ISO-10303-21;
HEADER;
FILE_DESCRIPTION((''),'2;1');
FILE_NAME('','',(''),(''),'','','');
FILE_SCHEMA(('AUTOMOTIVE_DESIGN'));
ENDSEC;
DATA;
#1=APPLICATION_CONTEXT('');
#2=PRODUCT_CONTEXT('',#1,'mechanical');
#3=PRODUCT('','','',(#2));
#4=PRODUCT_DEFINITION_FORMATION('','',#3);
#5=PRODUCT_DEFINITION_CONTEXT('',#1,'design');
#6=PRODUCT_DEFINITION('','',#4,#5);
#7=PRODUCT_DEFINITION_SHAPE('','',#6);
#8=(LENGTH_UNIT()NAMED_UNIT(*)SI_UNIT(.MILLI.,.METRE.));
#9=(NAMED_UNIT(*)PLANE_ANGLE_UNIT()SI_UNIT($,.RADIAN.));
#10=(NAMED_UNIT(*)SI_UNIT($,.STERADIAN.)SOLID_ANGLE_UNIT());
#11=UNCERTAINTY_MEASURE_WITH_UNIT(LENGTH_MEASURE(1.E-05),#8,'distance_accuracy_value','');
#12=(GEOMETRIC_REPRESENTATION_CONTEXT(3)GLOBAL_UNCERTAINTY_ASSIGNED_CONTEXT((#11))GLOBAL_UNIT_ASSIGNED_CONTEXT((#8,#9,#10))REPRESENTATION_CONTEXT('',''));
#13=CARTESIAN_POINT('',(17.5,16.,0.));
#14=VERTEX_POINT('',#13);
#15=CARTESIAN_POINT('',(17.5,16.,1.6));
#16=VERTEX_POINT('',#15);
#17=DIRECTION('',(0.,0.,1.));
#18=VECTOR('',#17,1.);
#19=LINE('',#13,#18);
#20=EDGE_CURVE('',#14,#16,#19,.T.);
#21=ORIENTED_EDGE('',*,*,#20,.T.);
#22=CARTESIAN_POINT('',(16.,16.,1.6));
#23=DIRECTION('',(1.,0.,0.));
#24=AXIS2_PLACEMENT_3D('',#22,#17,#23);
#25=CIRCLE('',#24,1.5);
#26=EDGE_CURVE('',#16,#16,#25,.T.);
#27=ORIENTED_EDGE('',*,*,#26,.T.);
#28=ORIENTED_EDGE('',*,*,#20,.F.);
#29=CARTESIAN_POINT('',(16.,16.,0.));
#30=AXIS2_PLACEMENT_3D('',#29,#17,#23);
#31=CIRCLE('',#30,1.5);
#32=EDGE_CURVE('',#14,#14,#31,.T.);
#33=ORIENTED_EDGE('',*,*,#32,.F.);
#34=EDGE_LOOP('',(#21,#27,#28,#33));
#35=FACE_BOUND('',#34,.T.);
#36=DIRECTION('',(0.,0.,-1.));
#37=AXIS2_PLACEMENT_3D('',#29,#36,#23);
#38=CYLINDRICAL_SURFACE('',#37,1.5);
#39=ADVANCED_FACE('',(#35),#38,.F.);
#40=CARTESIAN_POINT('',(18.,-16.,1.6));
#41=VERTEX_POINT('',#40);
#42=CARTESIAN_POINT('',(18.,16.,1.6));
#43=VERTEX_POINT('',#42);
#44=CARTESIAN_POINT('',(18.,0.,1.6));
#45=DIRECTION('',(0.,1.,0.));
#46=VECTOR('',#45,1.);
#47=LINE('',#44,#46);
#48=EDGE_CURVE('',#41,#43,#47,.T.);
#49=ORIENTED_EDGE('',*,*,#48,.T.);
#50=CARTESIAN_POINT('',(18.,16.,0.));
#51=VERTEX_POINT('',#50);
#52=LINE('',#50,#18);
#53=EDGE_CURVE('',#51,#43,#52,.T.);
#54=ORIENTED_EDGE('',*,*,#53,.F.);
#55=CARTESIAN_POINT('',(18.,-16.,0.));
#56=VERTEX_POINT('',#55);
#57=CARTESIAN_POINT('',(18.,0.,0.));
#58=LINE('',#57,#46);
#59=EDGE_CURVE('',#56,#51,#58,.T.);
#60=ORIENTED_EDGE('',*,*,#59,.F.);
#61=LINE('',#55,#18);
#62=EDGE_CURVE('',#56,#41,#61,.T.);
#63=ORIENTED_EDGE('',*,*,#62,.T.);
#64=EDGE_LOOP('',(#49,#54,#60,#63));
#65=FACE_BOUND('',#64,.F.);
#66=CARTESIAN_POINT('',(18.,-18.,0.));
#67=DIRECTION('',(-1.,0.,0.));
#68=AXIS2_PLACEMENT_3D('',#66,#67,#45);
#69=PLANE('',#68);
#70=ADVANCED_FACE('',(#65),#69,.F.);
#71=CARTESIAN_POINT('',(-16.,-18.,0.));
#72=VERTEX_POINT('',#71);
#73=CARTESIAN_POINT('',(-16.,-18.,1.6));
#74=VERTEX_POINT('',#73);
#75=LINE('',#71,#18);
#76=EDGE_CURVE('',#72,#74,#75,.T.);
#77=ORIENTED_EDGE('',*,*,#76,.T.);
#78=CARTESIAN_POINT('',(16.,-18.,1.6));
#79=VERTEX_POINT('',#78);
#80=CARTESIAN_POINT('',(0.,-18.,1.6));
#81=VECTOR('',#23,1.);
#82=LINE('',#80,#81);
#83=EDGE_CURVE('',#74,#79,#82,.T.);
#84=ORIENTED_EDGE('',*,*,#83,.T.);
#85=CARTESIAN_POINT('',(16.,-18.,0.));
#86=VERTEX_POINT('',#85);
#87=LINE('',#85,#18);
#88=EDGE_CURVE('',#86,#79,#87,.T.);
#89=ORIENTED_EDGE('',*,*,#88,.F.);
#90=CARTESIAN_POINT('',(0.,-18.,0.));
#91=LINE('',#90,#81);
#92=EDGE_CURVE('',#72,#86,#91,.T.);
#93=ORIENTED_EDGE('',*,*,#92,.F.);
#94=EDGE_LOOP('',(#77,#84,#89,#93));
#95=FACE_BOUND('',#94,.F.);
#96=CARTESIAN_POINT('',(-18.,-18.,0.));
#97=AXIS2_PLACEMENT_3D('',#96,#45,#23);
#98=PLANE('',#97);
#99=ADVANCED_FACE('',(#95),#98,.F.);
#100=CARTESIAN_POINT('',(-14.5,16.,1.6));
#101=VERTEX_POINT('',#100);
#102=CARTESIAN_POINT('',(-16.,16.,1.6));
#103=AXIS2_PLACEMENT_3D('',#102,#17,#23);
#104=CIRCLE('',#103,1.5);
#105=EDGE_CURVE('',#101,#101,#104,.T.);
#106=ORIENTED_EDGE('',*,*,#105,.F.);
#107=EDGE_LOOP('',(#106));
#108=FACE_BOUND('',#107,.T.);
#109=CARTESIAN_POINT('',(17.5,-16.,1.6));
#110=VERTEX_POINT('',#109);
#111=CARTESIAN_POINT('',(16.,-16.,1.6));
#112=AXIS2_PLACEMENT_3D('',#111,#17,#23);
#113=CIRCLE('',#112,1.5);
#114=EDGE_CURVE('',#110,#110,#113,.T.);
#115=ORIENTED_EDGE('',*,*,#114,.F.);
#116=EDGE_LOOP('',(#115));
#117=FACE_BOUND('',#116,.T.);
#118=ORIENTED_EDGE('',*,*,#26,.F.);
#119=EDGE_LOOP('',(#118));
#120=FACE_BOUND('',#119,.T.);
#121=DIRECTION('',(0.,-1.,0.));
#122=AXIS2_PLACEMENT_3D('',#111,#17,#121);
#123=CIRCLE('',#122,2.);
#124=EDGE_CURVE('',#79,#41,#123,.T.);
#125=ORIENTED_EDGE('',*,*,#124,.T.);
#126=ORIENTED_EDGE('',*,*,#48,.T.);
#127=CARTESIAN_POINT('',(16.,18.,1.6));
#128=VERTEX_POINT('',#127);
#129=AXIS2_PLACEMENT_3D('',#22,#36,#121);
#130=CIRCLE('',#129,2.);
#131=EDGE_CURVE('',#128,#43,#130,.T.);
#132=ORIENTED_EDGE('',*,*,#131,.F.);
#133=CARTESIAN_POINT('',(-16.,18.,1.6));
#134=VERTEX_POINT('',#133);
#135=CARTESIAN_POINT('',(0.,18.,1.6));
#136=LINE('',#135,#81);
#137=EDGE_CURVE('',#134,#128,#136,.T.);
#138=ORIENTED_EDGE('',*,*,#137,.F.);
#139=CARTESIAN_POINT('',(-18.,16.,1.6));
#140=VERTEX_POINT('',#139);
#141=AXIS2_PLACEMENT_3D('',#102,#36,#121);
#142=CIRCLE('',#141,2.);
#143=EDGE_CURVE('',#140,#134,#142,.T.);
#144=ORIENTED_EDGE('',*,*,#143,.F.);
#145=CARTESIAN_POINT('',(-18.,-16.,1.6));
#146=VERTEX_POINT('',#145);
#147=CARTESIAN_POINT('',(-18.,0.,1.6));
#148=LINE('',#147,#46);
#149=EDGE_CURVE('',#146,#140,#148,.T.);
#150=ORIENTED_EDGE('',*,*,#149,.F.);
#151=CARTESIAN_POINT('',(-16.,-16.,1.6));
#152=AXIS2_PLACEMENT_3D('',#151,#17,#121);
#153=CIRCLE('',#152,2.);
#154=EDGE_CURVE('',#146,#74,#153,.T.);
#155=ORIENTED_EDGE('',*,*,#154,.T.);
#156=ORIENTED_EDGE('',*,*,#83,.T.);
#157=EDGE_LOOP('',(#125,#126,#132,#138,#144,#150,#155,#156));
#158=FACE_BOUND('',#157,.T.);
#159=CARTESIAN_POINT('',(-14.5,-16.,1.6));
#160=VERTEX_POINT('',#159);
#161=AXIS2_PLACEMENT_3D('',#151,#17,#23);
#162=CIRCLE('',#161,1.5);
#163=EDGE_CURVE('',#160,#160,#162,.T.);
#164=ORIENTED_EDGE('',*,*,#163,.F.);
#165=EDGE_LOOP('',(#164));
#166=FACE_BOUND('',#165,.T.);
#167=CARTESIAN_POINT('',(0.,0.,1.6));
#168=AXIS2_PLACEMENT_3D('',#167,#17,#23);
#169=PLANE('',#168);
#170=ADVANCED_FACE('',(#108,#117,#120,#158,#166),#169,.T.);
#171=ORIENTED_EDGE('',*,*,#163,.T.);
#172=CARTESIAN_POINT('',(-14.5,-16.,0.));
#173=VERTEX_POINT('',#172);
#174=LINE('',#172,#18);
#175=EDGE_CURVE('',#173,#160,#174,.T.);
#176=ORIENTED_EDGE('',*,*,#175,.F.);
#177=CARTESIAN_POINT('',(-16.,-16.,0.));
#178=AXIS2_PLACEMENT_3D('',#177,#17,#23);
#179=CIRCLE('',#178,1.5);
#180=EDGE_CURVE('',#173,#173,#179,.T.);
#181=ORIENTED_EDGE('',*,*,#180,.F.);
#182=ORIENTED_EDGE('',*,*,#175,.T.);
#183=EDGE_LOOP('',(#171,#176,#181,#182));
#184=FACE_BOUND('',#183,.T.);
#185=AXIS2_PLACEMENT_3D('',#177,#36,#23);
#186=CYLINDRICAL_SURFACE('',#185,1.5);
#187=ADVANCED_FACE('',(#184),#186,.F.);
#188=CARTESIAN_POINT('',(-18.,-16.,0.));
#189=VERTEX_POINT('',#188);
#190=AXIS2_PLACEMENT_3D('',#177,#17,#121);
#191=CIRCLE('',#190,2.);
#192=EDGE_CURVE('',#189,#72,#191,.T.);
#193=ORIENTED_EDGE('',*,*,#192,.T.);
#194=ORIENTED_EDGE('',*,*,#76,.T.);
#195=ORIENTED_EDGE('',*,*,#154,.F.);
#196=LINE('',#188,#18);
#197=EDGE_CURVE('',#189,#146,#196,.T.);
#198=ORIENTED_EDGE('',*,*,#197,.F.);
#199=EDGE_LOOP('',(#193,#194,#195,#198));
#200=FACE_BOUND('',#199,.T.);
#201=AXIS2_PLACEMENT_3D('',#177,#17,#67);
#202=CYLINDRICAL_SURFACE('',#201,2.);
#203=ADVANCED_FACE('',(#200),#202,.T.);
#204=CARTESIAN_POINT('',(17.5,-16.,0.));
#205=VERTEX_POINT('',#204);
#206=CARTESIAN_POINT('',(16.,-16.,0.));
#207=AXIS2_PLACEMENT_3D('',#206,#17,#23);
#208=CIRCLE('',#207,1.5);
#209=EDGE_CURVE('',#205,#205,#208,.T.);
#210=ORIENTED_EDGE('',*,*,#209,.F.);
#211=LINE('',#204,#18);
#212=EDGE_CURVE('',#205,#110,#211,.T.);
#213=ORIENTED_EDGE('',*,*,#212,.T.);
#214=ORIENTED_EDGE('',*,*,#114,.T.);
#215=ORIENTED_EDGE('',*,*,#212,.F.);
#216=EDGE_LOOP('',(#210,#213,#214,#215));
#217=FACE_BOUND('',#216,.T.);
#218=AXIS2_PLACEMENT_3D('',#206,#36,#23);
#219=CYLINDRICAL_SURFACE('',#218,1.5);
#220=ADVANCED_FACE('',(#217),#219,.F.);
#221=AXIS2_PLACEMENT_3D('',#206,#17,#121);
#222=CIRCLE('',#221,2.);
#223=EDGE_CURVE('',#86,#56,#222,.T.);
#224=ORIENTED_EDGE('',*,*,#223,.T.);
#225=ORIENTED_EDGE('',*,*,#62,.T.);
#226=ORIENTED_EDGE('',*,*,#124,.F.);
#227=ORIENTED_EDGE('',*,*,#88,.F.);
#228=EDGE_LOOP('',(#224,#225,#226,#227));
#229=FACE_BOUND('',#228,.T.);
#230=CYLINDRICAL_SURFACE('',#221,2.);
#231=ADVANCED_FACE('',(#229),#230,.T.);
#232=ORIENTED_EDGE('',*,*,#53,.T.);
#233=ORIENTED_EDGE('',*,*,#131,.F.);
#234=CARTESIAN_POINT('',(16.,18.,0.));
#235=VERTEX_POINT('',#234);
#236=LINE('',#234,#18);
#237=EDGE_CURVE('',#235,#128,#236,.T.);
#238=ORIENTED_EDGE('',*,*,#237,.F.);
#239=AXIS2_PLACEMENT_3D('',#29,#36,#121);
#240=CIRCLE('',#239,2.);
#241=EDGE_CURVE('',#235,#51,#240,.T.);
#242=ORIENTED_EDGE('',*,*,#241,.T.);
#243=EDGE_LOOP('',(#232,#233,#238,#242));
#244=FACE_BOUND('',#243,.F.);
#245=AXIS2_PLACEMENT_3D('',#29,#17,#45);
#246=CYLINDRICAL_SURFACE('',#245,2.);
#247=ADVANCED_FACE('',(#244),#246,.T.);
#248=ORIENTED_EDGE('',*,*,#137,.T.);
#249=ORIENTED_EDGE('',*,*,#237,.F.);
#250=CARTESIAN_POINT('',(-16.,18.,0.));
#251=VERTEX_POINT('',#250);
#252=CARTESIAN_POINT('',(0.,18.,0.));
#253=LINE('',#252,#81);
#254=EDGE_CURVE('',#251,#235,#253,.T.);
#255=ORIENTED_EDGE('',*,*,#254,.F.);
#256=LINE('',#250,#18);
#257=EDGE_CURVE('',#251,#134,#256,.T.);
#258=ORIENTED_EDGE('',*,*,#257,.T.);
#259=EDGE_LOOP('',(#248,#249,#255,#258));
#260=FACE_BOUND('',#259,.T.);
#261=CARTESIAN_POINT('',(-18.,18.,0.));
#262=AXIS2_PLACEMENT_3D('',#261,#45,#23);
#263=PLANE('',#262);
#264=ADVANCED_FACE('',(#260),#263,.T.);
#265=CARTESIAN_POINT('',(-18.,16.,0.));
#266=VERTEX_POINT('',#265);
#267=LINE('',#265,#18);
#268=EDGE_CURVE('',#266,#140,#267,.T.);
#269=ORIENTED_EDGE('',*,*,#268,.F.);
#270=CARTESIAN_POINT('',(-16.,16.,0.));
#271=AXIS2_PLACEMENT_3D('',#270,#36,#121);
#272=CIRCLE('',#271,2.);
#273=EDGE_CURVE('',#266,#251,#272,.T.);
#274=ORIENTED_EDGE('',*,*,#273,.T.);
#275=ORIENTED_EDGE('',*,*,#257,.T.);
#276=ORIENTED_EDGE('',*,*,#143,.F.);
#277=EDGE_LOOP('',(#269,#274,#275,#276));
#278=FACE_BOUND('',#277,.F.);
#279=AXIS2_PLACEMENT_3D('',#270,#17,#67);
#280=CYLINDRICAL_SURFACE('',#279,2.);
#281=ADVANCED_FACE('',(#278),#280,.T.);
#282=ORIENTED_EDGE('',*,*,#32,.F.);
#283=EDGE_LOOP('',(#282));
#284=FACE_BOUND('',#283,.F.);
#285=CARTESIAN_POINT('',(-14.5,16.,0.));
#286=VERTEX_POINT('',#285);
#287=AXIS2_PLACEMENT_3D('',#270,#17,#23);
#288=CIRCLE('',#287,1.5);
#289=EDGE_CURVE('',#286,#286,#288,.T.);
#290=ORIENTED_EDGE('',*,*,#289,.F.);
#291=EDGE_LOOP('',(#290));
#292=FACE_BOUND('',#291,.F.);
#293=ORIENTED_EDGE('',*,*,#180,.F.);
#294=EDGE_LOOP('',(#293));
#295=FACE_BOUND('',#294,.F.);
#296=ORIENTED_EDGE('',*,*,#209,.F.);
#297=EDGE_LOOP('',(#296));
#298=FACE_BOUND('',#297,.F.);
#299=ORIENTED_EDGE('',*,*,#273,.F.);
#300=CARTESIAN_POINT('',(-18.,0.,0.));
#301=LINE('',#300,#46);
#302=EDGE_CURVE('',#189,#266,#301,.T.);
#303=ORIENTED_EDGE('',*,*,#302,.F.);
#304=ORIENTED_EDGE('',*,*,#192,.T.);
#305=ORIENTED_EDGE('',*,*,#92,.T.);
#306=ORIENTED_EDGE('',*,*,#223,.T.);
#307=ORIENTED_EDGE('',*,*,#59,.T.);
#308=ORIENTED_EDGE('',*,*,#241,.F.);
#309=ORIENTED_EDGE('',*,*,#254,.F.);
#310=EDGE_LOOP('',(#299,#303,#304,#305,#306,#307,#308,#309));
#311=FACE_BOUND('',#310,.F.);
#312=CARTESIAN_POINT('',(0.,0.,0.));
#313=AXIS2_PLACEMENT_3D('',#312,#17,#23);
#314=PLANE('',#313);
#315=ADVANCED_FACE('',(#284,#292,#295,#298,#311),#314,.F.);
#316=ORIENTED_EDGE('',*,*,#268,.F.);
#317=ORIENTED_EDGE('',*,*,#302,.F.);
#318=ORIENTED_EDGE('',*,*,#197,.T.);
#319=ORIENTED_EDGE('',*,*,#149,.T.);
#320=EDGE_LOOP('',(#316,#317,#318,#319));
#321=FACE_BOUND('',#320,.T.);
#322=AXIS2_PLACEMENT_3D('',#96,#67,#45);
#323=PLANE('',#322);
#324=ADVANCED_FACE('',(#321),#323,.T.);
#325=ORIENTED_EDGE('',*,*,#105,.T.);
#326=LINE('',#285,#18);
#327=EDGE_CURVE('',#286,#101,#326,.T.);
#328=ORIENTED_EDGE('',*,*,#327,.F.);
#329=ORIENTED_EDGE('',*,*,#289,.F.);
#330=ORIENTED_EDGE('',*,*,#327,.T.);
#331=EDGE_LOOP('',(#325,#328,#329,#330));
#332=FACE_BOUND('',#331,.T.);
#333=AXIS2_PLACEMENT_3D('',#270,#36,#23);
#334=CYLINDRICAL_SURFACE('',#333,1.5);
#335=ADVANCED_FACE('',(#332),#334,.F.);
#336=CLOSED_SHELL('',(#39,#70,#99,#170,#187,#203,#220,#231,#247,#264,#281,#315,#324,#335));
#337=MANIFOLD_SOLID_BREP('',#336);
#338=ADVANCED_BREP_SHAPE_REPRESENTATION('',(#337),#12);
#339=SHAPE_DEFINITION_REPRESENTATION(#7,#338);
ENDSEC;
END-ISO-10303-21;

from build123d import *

# Parameters (mm, degrees)
F0_W     = 36
F0_H     = 36
F0_R     = 1.5
F1_DEPTH = 1.6
F2_R     = 2


with BuildPart() as f1:
    # F0 (on Top) → F1 (new body)
    with BuildSketch(Plane.XY):
        Rectangle(F0_W, F0_H)
        with Locations((-16, -16)):
            Circle(F0_R, mode=Mode.SUBTRACT)
        with Locations((16, -16)):
            Circle(F0_R, mode=Mode.SUBTRACT)
        with Locations((-16, 16)):
            Circle(F0_R, mode=Mode.SUBTRACT)
        with Locations((16, 16)):
            Circle(F0_R, mode=Mode.SUBTRACT)
    extrude(amount=F1_DEPTH)

    # F2
    f2_edges = [f1.edges().sort_by_distance(p)[0] for p in [
        (-18, 18, 0.8),
        (18, 18, 0.8),
        (18, -18, 0.8),
        (-18, -18, 0.8),
    ]]
    fillet(f2_edges, radius=F2_R)


solid = f1.part
